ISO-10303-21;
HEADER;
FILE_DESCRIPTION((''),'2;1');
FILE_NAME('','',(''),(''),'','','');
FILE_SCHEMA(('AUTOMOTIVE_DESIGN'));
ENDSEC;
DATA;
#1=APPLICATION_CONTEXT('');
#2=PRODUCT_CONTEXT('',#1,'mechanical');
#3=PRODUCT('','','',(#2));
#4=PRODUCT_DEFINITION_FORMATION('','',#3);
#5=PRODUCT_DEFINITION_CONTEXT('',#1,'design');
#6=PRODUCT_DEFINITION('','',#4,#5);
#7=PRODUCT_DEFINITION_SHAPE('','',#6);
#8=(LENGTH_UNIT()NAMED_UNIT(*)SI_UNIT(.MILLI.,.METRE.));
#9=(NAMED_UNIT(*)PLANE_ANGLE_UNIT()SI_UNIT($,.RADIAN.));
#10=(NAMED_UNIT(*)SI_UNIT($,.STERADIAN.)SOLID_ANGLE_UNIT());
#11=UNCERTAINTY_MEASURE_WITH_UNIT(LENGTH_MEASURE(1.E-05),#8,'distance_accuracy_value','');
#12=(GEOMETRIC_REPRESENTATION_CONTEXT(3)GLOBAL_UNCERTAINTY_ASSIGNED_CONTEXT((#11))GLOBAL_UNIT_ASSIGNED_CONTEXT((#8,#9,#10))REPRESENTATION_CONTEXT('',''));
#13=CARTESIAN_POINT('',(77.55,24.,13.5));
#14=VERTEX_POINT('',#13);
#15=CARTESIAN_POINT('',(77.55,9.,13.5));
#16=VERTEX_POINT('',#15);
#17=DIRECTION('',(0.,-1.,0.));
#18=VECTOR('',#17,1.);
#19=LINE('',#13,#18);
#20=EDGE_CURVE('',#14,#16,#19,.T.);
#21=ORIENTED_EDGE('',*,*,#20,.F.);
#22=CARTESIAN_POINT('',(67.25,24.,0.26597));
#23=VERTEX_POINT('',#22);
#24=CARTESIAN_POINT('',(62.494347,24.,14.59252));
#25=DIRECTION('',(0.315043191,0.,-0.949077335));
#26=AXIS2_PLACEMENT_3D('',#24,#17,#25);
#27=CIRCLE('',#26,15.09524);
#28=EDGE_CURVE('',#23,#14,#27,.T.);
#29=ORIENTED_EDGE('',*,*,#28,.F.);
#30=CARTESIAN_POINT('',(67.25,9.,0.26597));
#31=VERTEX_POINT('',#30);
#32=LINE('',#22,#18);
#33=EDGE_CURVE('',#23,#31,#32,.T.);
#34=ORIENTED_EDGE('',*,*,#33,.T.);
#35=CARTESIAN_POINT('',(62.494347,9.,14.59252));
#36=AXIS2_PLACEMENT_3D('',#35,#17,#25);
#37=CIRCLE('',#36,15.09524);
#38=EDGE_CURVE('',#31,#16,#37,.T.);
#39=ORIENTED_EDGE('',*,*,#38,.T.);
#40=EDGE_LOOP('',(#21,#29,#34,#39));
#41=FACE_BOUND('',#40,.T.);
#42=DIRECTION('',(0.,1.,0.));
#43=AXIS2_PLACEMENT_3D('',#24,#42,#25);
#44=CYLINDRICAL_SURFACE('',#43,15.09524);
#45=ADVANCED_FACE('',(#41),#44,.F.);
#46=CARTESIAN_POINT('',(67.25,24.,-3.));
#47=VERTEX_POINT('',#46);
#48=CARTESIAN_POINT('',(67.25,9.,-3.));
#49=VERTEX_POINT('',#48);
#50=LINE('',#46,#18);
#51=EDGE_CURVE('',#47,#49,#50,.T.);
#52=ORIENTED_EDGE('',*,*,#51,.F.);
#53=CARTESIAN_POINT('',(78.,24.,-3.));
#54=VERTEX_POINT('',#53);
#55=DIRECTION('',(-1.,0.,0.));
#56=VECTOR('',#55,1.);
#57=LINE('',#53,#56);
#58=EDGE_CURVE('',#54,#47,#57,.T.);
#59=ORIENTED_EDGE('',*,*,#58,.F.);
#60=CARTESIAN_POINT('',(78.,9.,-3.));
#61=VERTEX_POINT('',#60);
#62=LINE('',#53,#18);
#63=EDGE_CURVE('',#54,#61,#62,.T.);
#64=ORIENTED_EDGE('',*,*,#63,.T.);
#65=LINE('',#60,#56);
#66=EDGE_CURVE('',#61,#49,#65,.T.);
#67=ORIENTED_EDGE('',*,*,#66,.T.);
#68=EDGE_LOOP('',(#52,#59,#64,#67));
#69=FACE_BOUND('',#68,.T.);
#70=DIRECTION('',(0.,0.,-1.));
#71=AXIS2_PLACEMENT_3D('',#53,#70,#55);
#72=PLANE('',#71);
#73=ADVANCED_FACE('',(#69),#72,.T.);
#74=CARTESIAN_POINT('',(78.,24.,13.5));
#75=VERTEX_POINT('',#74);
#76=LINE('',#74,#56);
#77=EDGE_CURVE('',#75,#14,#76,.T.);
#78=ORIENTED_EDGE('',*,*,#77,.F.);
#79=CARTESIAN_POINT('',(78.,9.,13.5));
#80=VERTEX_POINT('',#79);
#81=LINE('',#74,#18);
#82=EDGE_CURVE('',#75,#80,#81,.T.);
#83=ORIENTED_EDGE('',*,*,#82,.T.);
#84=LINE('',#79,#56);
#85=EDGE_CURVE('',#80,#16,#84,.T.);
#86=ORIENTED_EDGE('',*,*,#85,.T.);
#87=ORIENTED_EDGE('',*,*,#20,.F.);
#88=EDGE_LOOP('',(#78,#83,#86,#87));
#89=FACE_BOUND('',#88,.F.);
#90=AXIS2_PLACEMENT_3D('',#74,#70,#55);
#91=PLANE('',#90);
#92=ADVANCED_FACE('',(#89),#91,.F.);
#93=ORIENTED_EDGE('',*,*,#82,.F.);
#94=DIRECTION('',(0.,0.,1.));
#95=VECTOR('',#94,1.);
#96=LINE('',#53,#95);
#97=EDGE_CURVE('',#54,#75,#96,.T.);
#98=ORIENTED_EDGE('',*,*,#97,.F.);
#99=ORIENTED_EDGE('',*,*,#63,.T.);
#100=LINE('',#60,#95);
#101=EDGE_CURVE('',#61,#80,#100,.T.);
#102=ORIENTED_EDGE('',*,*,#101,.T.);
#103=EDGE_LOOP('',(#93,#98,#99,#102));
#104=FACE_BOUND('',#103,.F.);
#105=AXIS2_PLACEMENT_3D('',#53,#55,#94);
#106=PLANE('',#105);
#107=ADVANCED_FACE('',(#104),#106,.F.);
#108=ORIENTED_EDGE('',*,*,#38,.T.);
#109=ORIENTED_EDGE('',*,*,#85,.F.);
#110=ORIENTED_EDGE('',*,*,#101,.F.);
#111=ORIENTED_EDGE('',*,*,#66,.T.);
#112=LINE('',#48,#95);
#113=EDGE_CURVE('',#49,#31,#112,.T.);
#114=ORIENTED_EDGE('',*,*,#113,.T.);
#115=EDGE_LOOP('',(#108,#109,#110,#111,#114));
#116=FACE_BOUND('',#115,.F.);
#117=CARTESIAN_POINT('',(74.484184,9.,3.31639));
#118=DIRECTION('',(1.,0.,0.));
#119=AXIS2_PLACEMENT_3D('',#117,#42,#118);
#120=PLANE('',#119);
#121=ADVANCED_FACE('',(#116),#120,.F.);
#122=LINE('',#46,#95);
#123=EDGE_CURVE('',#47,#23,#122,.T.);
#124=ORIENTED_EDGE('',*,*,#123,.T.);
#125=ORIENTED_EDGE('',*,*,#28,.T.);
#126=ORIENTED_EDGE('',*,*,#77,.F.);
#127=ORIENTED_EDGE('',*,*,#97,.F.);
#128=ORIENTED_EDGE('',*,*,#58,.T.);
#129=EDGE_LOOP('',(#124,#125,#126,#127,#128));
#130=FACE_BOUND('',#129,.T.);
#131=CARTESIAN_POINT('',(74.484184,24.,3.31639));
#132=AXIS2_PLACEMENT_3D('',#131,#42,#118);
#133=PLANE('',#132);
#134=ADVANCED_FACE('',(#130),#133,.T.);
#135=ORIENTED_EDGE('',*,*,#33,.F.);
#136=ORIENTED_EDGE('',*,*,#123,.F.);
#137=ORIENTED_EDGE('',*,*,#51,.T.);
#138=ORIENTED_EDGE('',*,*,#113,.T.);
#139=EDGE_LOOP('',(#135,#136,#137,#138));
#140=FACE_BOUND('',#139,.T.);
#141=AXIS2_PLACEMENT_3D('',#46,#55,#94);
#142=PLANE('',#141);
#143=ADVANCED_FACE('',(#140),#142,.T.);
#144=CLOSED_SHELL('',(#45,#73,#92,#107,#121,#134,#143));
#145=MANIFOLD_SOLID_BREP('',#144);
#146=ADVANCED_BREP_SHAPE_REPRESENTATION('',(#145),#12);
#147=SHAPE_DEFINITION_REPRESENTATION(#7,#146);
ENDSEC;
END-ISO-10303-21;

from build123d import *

# Parameters (mm, degrees)
PAD001_DEPTH = 15


with BuildPart() as batteryhold001:
    # Sketch002 → Pad001 (new body)
    with BuildSketch(Plane.XZ):
        with BuildLine():
            Line((0, 77.5), (10.75, 77.5))
            Line((10.75, 77.5), (10.75, 74.23403))
            ThreePointArc((10.75, 74.23403), (3.593187, 69.178911), (0.45, 61))
            Line((0, 61), (0.45, 61))
            Line((0, 77.5), (0, 61))
        make_face()
    extrude(amount=PAD001_DEPTH)


with BuildPart() as batteryhold001_1:
    # Body001 placement: moved
    add(batteryhold001.part.moved(Location((0, 24, 0))))


with BuildPart() as part_mirroring003:
    # Part__Mirroring003: instance of batteryHold001
    add(batteryhold001_1.part.mirror(Plane(origin=(0, 0, 0), x_dir=(0, 1, 0), z_dir=(0, 0, 1))))


with BuildPart() as part_mirroring003_1:
    # Part__Mirroring003 placement: moved
    add(part_mirroring003.part.moved(Location((0, 0, 74.5))))


with BuildPart() as part_mirroring004:
    # Part__Mirroring004: instance of Part__Mirroring003
    add(part_mirroring003_1.part.mirror(Plane(origin=(0, 0, 0), x_dir=(0, -1, 0), z_dir=(1, 0, 0))))


with BuildPart() as part_mirroring004_1:
    # Part__Mirroring004 placement: moved
    add(part_mirroring004.part.moved(Location((78, 0, 0))))


solid = part_mirroring004_1.part
